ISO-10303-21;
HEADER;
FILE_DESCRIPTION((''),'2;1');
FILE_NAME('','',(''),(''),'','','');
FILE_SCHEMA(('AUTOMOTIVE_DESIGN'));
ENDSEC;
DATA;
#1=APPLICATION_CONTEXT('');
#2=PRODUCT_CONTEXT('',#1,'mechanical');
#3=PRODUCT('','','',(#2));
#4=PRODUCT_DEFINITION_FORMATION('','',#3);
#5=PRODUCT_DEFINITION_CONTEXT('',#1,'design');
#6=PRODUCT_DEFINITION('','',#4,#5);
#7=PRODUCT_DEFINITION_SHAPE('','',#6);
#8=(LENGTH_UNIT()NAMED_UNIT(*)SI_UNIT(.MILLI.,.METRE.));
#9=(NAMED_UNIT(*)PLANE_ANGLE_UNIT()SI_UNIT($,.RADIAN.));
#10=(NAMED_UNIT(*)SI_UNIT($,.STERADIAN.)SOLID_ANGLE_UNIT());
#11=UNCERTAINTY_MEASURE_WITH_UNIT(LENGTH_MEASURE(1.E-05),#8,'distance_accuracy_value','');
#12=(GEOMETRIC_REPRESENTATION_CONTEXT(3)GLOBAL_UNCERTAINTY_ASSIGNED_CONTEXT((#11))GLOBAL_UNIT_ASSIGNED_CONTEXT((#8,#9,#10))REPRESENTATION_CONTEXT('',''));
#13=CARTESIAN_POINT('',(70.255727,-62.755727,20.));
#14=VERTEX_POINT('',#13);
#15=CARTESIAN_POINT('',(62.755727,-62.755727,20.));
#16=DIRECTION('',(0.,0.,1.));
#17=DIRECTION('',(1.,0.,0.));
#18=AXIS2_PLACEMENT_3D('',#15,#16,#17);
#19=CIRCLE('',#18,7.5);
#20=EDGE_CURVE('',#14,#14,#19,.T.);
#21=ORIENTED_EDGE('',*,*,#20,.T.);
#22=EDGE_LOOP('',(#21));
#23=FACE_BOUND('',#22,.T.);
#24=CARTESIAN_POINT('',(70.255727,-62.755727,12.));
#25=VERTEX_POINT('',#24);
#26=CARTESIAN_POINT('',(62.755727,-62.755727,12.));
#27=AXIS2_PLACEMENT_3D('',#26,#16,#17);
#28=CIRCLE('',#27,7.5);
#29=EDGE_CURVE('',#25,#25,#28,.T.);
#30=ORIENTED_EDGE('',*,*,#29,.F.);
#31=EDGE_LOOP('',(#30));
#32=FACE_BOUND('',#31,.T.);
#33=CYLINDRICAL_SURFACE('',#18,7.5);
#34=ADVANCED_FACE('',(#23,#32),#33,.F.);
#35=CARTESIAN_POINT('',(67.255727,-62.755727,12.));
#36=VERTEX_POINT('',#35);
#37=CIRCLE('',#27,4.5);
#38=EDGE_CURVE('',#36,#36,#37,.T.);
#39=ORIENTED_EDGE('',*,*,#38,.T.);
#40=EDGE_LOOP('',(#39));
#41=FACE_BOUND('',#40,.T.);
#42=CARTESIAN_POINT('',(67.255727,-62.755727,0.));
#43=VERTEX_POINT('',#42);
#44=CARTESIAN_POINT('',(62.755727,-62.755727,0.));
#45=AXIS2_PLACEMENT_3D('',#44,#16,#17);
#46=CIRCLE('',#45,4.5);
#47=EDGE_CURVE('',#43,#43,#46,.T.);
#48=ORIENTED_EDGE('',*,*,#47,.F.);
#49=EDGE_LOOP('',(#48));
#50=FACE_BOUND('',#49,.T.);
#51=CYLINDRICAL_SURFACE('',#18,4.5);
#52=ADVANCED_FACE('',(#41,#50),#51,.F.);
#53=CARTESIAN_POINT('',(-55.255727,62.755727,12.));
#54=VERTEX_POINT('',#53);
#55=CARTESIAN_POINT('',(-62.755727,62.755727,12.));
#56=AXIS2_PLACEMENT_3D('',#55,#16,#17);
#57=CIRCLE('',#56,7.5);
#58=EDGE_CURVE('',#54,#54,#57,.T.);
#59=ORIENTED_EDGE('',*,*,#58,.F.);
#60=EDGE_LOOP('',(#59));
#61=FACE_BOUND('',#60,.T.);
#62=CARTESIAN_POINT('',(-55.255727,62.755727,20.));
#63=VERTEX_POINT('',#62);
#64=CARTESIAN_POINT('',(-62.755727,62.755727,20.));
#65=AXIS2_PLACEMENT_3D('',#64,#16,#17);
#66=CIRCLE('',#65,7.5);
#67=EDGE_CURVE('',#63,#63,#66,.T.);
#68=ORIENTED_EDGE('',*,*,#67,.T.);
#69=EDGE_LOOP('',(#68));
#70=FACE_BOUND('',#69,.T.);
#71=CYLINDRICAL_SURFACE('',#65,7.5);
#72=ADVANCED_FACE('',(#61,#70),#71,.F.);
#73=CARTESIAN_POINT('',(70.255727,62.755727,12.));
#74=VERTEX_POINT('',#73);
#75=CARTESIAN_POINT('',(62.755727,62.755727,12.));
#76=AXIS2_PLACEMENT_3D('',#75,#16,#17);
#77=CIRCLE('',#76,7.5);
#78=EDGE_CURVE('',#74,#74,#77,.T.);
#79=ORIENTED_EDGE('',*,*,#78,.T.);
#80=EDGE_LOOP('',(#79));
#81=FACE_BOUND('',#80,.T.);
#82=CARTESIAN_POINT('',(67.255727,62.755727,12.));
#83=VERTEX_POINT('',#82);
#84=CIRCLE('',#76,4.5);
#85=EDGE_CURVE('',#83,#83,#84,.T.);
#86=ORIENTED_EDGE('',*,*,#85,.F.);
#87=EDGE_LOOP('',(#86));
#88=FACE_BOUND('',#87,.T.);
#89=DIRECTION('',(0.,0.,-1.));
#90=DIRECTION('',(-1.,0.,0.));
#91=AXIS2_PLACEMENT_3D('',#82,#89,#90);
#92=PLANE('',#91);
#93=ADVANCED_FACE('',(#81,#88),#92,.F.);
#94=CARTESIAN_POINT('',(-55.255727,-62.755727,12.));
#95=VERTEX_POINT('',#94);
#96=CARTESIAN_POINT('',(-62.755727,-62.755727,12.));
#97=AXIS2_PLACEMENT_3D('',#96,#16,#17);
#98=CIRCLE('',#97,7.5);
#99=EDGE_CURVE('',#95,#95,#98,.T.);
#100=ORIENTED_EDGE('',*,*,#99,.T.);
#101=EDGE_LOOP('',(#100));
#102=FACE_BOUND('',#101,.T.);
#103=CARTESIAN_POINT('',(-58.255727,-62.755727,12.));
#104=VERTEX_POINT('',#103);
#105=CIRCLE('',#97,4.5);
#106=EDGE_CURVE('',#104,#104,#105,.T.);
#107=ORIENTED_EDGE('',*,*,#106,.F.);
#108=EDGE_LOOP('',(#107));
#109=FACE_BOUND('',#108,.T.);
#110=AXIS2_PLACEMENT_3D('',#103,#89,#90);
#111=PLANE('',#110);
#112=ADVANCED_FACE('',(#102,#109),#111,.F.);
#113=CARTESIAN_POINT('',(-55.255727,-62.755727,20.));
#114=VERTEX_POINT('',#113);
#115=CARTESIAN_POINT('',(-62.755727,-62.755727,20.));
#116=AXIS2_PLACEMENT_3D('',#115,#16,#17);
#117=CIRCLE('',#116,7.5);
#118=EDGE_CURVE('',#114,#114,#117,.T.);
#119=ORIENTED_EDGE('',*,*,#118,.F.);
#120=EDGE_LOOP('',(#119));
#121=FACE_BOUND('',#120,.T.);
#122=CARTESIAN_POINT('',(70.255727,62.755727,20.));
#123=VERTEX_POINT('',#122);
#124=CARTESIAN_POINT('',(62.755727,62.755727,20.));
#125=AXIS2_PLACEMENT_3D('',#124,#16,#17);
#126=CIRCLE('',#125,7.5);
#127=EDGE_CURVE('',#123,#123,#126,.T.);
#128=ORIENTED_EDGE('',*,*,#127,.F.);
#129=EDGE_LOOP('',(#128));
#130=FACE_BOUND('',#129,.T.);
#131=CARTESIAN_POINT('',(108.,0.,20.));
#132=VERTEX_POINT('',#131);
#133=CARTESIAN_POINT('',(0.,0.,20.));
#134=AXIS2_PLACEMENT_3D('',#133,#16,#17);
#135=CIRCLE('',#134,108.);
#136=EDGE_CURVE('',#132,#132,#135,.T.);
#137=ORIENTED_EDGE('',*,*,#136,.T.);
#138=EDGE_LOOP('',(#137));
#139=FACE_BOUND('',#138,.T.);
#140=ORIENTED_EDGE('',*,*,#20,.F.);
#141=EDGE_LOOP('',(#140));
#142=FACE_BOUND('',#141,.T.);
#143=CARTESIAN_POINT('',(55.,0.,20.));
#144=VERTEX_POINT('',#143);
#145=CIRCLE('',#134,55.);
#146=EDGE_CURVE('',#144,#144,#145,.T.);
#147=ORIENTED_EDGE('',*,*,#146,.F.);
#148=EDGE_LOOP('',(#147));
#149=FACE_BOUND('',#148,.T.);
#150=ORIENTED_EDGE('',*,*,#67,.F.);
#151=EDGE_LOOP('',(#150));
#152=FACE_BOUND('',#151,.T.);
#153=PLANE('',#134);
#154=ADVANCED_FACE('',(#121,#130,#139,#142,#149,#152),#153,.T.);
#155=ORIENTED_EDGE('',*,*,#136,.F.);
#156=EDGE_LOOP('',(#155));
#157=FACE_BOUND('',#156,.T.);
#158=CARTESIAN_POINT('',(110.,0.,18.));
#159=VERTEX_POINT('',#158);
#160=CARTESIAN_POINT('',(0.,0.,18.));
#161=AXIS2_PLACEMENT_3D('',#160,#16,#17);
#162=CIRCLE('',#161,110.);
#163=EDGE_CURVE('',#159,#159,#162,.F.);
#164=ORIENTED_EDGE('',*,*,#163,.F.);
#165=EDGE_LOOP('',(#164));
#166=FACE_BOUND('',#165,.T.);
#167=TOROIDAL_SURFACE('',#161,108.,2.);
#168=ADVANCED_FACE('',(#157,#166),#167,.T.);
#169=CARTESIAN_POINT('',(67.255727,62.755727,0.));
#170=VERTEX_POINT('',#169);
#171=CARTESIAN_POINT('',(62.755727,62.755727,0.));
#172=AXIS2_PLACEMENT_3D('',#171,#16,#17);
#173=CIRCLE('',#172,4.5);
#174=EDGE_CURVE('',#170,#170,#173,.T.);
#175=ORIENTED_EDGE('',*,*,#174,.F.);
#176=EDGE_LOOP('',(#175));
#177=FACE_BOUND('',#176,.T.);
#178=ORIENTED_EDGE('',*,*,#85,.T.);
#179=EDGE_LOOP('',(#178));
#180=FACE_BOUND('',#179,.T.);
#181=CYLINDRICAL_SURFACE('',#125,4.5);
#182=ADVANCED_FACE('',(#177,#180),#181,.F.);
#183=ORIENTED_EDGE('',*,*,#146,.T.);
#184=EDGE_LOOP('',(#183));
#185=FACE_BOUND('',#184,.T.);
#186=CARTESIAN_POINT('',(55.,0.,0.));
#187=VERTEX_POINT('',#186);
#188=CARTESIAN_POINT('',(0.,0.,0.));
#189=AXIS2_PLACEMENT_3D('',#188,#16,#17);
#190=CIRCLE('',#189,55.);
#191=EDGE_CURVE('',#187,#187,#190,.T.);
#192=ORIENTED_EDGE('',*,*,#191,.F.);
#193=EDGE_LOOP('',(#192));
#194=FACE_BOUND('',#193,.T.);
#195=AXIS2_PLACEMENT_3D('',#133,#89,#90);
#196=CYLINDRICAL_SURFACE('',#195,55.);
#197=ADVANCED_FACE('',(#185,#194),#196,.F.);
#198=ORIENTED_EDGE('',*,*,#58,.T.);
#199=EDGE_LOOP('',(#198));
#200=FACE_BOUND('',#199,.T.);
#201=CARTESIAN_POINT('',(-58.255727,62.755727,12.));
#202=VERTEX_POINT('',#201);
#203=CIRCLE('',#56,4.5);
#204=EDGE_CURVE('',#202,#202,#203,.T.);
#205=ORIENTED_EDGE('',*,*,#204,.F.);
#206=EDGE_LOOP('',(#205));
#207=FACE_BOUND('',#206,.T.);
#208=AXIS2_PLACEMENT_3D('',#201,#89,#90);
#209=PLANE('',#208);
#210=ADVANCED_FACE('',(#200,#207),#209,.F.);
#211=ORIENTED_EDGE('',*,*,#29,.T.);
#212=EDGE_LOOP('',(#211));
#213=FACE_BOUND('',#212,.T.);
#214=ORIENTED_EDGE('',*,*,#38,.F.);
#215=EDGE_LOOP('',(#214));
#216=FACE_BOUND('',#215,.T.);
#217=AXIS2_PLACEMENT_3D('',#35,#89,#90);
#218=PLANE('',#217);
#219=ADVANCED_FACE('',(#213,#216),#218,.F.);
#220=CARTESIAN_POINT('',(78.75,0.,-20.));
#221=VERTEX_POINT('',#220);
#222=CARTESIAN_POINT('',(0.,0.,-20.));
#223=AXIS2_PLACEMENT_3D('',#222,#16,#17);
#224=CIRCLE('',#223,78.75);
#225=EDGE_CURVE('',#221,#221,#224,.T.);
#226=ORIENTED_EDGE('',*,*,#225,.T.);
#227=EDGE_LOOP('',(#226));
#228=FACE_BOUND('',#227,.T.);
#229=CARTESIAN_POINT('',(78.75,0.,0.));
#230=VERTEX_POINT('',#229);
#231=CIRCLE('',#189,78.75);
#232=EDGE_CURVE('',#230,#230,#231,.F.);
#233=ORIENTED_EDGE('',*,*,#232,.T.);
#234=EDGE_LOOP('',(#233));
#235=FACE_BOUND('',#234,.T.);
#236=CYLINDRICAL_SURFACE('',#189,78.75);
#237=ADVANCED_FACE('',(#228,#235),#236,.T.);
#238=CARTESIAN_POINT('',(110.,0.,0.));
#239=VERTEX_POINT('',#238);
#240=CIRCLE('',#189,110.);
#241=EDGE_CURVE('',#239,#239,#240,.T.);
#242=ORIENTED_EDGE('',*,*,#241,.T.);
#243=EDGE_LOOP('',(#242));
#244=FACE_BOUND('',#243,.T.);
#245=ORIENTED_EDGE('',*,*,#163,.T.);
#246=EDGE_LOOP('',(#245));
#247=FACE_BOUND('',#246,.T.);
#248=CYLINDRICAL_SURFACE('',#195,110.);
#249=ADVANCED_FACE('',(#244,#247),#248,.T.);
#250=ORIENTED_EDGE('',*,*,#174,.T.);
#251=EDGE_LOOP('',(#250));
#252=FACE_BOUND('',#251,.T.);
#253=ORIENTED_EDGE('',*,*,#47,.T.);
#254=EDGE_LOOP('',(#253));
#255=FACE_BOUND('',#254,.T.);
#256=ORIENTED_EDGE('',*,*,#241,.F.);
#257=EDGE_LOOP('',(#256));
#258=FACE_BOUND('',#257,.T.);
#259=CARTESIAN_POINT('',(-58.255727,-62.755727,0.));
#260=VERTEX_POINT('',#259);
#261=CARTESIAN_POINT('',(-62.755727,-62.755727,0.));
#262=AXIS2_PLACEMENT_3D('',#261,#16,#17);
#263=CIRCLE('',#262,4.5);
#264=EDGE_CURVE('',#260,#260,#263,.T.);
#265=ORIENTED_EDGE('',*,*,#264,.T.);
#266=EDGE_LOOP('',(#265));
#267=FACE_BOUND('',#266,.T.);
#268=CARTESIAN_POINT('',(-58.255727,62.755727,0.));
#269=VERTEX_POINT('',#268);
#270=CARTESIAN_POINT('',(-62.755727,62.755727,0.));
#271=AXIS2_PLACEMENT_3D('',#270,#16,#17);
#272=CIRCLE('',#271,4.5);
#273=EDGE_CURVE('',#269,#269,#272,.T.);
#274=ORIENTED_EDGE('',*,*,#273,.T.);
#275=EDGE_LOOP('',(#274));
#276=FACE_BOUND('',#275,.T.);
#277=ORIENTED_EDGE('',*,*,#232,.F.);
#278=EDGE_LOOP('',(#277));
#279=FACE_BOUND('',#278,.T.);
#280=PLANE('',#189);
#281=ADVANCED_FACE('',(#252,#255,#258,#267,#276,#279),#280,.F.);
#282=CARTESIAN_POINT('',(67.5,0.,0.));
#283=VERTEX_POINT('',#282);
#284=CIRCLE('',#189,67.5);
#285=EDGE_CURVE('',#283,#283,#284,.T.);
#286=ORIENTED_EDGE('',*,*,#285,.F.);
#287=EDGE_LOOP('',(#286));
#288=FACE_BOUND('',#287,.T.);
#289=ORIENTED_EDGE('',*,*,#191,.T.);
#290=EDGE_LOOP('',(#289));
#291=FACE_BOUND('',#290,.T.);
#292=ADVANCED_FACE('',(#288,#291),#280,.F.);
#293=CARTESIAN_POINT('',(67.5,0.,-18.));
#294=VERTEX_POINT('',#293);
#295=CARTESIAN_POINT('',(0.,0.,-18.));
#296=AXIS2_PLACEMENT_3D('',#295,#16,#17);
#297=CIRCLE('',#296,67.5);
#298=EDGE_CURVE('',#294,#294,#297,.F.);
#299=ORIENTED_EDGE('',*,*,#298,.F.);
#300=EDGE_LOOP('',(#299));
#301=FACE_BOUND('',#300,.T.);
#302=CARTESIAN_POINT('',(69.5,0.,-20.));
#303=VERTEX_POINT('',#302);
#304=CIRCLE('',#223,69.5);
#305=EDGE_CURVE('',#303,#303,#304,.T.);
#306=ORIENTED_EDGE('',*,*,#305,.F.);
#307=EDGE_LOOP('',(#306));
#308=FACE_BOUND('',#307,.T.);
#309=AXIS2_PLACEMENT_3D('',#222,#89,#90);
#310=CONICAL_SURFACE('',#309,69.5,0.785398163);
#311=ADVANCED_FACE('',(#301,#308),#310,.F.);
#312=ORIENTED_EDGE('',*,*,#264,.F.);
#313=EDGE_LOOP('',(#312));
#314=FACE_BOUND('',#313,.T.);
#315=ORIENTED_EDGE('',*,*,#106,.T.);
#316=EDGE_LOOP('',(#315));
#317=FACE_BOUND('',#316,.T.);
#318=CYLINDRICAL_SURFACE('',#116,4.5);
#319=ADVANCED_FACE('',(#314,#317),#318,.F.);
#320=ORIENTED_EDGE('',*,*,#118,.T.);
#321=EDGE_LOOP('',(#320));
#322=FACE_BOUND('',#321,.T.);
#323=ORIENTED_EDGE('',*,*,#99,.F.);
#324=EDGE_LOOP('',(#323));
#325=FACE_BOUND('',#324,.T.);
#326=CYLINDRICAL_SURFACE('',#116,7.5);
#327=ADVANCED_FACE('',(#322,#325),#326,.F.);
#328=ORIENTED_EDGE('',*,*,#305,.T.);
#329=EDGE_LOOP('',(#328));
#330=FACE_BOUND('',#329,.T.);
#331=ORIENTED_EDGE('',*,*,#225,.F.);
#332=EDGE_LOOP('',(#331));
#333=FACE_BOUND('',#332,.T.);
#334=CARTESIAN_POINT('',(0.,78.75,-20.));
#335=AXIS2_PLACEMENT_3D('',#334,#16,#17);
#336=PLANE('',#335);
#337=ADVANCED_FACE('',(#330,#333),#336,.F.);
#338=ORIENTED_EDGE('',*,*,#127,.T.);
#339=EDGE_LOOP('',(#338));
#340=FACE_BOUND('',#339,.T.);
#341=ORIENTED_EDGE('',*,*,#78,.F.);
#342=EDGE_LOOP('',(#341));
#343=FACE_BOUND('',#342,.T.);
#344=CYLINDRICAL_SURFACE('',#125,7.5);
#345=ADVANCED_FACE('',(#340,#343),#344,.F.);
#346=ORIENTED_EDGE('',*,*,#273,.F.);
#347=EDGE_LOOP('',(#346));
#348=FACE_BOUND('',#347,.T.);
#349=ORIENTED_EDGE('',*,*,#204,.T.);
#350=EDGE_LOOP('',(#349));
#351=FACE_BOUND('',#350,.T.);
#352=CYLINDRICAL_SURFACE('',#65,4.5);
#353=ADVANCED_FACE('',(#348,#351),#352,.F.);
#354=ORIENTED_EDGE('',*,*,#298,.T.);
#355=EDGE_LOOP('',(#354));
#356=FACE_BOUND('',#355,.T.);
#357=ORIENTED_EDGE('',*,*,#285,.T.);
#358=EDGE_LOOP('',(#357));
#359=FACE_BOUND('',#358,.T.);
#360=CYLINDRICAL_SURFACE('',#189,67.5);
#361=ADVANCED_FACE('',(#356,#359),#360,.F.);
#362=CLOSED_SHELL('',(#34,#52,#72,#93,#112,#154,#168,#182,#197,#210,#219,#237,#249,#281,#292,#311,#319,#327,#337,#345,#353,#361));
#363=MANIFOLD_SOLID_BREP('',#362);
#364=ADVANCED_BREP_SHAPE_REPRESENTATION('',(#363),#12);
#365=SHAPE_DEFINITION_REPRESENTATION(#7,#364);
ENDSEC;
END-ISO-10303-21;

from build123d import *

# Parameters (mm, degrees)
SCHIZZO1_R                                           = 110
SCHIZZO1_R_2                                         = 55
ESTRUSIONE_ESTRUSIONE1_DEPTH                         = 20
SCHIZZO2_W                                           = 20
SCHIZZO2_H                                           = 11.25
RACCORDO1_R                                          = 2
SMUSSO1_SIZE                                         = 2
FORO_LAMATO_PER_VITE_M8_A_TESTA_CILINDRI_D           = 9
FORO_LAMATO_PER_VITE_M8_A_TESTA_CILINDRI_CBORE_D     = 15
FORO_LAMATO_PER_VITE_M8_A_TESTA_CILINDRI_CBORE_DEPTH = 8
RIPETIZIONECIRCOLARE1_COUNT                          = 4


with BuildPart() as part:
    # Schizzo1 → Estrusione-Estrusione1 (new body)
    with BuildSketch(Plane.XY):
        Circle(SCHIZZO1_R)
        Circle(SCHIZZO1_R_2, mode=Mode.SUBTRACT)
    extrude(amount=ESTRUSIONE_ESTRUSIONE1_DEPTH)

    # Schizzo2 → Rivoluzione1 (revolve)
    with BuildSketch(Plane(origin=(0, 0, 0), x_dir=(0, 0, -1), z_dir=(1, 0, 0)), mode=Mode.PRIVATE) as rivoluzione1_sk:
        with Locations((10, 73.125)):
            Rectangle(SCHIZZO2_W, SCHIZZO2_H)
    revolve(rivoluzione1_sk.sketch.rotate(Axis((0, 0, 0), (0, 0, -1)), 90), axis=Axis((0, 0, 0), (0, 0, -1)))

    # Raccordo1
    raccordo1_edges = [part.edges().sort_by_distance(p)[0] for p in [
        (-110, 0, 20),
    ]]
    fillet(raccordo1_edges, radius=RACCORDO1_R)

    # Smusso1
    smusso1_edges = [part.edges().sort_by_distance(p)[0] for p in [
        (-67.5, 0, -20),
    ]]
    chamfer(smusso1_edges, length=SMUSSO1_SIZE)

    # Foro lamato per Vite M8 a testa cilindrica piana-1 (through all)
    with Locations(Plane.XY.offset(20)):
        with Locations((-62.75572683, 62.75572683)):
            foro_lamato_per_vite_m8_a_testa_cilindri = CounterBoreHole(FORO_LAMATO_PER_VITE_M8_A_TESTA_CILINDRI_D / 2, FORO_LAMATO_PER_VITE_M8_A_TESTA_CILINDRI_CBORE_D / 2, FORO_LAMATO_PER_VITE_M8_A_TESTA_CILINDRI_CBORE_DEPTH)

    # RipetizioneCircolare1: Foro lamato per Vite M8 a testa cilindrica piana-1 ×4 about axis
    ripetizionecircolare1_axis = Axis((0, 0, 0), (0, 0, 1))
    for i in range(1, RIPETIZIONECIRCOLARE1_COUNT):
        add(foro_lamato_per_vite_m8_a_testa_cilindri.rotate(ripetizionecircolare1_axis, i * 360 / RIPETIZIONECIRCOLARE1_COUNT), mode=Mode.SUBTRACT)


solid = part.part
